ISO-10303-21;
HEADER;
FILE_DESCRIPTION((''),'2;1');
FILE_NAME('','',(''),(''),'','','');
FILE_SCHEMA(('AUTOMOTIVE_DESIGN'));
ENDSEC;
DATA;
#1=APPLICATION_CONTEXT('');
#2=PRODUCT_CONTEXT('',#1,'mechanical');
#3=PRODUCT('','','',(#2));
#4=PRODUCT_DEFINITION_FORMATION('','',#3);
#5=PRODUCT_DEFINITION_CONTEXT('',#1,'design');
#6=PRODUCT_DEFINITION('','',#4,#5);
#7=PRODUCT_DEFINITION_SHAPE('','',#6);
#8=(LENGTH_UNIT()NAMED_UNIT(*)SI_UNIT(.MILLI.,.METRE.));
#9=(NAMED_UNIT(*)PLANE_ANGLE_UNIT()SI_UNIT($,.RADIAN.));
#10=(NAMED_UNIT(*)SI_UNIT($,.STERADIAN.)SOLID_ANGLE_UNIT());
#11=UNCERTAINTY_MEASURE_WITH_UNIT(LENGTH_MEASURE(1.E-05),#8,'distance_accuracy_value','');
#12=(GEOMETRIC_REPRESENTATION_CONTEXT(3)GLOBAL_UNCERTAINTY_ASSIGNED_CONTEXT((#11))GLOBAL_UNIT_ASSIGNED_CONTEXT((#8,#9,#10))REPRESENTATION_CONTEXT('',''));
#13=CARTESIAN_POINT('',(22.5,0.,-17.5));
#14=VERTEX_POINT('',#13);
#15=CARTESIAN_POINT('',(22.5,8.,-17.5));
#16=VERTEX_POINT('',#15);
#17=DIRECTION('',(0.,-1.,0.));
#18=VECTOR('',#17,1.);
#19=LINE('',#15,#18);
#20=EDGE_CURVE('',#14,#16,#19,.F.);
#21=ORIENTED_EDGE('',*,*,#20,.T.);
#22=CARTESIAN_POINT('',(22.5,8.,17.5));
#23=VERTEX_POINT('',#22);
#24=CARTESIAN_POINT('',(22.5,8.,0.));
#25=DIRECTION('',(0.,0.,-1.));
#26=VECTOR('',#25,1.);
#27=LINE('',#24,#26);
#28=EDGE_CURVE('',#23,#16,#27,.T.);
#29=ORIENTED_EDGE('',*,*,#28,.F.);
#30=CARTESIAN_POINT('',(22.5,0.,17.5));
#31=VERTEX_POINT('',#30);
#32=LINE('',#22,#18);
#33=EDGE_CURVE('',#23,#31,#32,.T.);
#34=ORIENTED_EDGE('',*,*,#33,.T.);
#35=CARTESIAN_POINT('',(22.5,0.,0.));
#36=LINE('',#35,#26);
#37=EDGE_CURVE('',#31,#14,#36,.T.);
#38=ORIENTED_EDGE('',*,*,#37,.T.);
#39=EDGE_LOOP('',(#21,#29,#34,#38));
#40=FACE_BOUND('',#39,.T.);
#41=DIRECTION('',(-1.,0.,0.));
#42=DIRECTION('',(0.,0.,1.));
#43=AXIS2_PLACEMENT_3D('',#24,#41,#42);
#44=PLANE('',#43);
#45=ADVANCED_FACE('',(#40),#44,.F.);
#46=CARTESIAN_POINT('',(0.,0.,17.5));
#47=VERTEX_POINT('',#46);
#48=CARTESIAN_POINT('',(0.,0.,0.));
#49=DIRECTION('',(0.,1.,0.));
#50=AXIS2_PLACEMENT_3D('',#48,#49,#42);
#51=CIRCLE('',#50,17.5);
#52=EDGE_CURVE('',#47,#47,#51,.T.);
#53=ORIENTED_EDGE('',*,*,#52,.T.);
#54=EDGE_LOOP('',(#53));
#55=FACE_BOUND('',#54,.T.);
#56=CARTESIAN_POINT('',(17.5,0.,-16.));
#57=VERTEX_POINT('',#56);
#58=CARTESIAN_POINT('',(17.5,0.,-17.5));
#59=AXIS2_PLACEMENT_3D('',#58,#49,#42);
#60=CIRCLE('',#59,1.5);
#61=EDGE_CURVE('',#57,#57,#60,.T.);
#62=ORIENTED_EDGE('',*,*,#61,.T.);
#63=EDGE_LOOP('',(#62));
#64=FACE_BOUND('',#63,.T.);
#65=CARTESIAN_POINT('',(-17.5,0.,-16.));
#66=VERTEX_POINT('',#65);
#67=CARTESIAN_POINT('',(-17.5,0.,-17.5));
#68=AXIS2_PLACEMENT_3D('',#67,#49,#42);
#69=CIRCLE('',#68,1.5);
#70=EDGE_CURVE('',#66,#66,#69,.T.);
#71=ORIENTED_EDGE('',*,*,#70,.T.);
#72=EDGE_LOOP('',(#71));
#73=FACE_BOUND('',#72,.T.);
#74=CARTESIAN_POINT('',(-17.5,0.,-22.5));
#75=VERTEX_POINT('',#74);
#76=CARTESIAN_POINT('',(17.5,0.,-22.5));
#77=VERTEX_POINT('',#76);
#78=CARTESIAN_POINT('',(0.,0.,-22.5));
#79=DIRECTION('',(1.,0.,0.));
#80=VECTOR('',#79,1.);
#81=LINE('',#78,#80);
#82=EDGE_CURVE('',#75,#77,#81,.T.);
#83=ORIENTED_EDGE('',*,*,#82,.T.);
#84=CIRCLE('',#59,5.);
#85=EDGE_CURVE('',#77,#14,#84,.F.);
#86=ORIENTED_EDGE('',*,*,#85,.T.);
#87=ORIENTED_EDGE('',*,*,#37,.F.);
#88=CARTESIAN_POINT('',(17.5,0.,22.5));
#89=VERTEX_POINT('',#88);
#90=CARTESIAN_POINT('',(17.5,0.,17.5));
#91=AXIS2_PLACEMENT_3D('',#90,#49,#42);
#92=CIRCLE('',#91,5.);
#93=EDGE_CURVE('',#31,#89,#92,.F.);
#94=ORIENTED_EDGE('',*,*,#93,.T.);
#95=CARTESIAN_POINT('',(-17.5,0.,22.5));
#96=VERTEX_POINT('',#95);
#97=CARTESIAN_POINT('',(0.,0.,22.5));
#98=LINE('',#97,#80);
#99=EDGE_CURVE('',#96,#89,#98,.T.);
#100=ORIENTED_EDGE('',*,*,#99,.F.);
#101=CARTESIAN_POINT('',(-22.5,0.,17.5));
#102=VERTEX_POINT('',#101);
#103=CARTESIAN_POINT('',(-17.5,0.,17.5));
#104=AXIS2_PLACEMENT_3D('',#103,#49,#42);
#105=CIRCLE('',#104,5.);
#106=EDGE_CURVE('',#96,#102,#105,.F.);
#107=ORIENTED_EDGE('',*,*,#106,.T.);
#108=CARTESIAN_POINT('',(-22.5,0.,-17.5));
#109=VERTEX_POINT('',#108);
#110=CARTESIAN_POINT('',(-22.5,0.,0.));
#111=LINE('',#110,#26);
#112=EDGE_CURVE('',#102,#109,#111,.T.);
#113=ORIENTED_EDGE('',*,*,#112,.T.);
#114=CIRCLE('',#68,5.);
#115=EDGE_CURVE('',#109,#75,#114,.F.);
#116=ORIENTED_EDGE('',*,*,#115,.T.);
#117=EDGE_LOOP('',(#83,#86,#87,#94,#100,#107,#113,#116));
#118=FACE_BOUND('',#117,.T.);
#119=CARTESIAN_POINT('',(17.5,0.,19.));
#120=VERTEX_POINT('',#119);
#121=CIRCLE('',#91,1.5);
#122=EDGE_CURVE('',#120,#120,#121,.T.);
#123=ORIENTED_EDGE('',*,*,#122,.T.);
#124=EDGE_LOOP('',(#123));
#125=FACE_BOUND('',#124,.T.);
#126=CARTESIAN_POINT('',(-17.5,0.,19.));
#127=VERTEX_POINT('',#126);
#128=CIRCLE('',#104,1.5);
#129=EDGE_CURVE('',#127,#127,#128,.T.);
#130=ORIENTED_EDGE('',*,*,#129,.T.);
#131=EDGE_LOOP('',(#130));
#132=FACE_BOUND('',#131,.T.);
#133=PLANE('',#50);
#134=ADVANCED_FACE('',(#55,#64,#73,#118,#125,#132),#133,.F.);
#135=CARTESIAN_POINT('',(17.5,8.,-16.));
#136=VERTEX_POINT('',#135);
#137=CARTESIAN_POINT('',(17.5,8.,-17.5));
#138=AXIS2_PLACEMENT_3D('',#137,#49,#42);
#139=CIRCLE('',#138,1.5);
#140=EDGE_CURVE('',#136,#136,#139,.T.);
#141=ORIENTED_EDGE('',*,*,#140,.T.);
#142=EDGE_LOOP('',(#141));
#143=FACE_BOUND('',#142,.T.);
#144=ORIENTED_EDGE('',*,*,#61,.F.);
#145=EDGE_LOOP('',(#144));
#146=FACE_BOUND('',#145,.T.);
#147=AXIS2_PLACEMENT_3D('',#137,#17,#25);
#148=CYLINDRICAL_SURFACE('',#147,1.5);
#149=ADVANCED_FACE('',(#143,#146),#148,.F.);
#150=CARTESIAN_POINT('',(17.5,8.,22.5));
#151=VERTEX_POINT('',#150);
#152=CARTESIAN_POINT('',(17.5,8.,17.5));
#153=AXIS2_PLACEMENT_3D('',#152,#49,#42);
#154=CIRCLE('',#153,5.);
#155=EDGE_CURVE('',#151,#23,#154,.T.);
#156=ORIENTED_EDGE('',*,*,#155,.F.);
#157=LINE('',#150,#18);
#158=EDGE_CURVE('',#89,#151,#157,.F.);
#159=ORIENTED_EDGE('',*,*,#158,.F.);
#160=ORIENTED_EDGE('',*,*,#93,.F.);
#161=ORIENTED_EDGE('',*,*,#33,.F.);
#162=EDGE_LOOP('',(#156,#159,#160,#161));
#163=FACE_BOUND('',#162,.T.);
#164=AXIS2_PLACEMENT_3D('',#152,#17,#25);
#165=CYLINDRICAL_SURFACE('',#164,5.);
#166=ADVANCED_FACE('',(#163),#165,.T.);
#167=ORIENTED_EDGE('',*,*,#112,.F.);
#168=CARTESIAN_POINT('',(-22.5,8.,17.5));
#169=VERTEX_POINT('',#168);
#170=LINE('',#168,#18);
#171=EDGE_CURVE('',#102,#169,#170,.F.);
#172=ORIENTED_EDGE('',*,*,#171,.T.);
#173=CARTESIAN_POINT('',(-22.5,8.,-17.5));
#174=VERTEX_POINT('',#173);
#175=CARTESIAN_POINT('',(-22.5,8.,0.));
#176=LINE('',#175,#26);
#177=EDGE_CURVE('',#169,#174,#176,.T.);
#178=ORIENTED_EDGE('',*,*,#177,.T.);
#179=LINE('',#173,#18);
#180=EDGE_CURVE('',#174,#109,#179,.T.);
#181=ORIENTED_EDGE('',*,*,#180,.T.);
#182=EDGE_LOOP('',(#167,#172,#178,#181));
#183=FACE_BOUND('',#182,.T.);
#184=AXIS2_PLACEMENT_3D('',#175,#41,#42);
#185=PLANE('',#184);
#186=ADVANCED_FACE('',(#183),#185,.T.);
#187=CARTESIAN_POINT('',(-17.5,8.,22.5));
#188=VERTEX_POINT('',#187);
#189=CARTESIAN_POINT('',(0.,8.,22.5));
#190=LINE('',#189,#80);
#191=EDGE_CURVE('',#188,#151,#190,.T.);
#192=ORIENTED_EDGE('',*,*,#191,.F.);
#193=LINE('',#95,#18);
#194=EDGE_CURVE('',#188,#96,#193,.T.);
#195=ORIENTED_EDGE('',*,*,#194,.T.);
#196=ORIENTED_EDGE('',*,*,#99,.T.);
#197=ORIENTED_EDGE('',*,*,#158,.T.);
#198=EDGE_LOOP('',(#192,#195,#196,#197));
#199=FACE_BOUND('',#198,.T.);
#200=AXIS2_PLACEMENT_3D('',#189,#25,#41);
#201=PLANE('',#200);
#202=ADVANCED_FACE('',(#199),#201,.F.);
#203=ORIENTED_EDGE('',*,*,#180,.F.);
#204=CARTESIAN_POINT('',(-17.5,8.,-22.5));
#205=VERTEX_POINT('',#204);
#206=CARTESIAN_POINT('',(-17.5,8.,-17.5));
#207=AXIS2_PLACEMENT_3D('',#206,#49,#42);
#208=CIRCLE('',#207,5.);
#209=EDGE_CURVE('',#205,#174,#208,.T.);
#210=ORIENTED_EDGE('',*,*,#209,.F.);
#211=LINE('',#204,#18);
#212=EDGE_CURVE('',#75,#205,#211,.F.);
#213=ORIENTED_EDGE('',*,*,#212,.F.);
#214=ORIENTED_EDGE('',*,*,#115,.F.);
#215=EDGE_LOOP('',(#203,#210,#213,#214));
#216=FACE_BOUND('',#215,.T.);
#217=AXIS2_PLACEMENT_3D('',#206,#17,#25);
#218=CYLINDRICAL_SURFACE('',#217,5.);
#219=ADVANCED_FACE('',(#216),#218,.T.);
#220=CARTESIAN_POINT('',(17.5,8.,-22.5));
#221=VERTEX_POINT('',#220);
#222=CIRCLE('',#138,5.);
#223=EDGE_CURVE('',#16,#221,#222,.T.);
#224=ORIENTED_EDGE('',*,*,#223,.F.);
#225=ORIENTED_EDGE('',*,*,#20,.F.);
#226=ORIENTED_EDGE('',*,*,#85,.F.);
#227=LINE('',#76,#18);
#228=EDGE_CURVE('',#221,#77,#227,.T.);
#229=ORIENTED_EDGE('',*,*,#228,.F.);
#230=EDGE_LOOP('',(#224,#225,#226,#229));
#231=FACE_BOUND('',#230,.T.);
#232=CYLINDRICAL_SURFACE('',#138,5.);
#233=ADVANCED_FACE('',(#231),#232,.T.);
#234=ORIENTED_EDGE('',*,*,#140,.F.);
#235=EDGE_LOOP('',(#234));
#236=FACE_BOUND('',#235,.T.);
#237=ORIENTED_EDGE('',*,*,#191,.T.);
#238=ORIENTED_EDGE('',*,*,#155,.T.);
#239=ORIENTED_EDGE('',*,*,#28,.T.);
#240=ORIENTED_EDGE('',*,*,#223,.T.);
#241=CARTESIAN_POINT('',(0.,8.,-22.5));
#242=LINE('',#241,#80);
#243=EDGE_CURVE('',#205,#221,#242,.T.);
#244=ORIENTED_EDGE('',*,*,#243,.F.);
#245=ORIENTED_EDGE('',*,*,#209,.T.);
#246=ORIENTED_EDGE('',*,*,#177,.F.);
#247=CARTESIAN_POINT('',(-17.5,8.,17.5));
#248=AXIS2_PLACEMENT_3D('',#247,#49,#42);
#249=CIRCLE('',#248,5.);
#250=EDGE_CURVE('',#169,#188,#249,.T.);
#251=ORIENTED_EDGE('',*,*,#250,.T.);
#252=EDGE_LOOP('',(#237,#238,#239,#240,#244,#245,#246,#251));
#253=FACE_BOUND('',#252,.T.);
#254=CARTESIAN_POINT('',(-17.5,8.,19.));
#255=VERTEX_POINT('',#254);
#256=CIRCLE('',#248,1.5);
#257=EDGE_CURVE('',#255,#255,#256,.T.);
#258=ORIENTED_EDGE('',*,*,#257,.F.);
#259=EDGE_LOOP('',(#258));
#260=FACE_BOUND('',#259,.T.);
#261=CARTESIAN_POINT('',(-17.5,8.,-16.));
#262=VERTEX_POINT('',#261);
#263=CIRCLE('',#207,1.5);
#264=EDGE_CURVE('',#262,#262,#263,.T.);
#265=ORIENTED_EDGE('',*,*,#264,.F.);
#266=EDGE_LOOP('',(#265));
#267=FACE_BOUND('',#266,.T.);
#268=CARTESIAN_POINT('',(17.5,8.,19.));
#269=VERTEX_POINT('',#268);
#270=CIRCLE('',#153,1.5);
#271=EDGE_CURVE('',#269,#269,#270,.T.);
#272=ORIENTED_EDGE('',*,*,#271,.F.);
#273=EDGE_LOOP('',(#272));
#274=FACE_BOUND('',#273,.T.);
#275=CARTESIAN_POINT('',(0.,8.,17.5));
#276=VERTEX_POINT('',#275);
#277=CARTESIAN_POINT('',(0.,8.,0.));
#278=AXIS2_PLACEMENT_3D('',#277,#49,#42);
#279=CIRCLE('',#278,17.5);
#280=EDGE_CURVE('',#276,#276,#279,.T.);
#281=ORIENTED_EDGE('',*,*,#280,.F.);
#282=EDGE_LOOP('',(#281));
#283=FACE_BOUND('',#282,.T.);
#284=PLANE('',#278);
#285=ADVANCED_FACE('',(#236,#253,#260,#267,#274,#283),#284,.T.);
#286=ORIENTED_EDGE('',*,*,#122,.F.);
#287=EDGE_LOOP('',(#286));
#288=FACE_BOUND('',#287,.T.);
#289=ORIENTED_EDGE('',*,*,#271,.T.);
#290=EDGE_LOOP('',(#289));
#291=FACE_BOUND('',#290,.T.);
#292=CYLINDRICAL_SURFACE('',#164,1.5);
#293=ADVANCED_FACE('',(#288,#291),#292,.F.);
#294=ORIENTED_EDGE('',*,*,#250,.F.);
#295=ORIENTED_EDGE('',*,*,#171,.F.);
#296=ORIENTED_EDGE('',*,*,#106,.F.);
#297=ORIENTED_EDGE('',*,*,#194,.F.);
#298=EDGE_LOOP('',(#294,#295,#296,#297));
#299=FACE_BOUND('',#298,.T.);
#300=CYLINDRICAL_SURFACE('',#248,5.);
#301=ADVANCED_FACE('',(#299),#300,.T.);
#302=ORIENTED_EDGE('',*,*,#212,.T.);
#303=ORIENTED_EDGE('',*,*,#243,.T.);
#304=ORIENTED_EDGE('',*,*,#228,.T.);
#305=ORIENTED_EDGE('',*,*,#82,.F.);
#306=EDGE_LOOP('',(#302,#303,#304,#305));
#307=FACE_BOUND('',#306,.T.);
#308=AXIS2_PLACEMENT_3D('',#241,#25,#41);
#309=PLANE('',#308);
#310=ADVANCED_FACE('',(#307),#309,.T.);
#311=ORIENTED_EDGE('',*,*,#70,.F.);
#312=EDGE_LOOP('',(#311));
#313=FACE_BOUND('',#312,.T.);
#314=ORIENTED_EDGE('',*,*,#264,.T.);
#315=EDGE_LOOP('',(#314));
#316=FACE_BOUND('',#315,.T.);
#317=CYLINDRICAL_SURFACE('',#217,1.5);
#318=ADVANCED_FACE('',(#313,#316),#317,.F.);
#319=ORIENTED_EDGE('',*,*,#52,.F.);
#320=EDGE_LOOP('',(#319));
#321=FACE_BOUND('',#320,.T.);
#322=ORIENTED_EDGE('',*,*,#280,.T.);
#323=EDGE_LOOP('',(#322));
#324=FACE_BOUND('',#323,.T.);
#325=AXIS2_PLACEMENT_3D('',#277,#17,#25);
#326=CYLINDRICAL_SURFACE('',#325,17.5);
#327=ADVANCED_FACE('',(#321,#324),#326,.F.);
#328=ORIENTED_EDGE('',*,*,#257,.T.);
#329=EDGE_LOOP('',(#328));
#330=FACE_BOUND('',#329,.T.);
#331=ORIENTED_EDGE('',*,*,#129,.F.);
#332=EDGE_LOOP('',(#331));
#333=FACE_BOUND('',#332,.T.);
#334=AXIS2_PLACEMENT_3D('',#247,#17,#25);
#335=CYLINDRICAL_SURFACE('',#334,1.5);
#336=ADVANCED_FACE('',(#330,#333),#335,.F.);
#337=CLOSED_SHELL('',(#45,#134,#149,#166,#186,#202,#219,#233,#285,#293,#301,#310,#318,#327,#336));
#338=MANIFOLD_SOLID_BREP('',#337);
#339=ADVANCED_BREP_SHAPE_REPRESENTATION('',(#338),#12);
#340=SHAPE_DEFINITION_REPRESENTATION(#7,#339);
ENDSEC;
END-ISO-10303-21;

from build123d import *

# Parameters (mm, degrees)
SKETCH1_W           = 45
SKETCH1_H           = 45
SKETCH1_R           = 17.5
SKETCH1_R_2         = 1.5
BOSS_EXTRUDE1_DEPTH = 8
FILLET1_R           = 5


with BuildPart() as part:
    # Sketch1 → Boss-Extrude1 (new body)
    with BuildSketch(Plane(origin=(0, 0, 0), x_dir=(1, 0, 0), z_dir=(0, 1, 0))):
        Rectangle(SKETCH1_W, SKETCH1_H)
        with Locations(Location((0, 0, 0), (0, 0, 270))):
            Circle(SKETCH1_R, mode=Mode.SUBTRACT)
        with Locations(Location((-17.5, 17.5, 0), (0, 0, 270))):
            Circle(SKETCH1_R_2, mode=Mode.SUBTRACT)
        with Locations(Location((17.5, 17.5, 0), (0, 0, 270))):
            Circle(SKETCH1_R_2, mode=Mode.SUBTRACT)
        with Locations(Location((17.5, -17.5, 0), (0, 0, 270))):
            Circle(SKETCH1_R_2, mode=Mode.SUBTRACT)
        with Locations(Location((-17.5, -17.5, 0), (0, 0, 270))):
            Circle(SKETCH1_R_2, mode=Mode.SUBTRACT)
    extrude(amount=BOSS_EXTRUDE1_DEPTH)

    # Fillet1
    fillet1_edges = [part.edges().sort_by_distance(p)[0] for p in [
        (-22.5, 4, 22.5),
        (-22.5, 4, -22.5),
        (22.5, 4, -22.5),
        (22.5, 4, 22.5),
    ]]
    fillet(fillet1_edges, radius=FILLET1_R)


solid = part.part
